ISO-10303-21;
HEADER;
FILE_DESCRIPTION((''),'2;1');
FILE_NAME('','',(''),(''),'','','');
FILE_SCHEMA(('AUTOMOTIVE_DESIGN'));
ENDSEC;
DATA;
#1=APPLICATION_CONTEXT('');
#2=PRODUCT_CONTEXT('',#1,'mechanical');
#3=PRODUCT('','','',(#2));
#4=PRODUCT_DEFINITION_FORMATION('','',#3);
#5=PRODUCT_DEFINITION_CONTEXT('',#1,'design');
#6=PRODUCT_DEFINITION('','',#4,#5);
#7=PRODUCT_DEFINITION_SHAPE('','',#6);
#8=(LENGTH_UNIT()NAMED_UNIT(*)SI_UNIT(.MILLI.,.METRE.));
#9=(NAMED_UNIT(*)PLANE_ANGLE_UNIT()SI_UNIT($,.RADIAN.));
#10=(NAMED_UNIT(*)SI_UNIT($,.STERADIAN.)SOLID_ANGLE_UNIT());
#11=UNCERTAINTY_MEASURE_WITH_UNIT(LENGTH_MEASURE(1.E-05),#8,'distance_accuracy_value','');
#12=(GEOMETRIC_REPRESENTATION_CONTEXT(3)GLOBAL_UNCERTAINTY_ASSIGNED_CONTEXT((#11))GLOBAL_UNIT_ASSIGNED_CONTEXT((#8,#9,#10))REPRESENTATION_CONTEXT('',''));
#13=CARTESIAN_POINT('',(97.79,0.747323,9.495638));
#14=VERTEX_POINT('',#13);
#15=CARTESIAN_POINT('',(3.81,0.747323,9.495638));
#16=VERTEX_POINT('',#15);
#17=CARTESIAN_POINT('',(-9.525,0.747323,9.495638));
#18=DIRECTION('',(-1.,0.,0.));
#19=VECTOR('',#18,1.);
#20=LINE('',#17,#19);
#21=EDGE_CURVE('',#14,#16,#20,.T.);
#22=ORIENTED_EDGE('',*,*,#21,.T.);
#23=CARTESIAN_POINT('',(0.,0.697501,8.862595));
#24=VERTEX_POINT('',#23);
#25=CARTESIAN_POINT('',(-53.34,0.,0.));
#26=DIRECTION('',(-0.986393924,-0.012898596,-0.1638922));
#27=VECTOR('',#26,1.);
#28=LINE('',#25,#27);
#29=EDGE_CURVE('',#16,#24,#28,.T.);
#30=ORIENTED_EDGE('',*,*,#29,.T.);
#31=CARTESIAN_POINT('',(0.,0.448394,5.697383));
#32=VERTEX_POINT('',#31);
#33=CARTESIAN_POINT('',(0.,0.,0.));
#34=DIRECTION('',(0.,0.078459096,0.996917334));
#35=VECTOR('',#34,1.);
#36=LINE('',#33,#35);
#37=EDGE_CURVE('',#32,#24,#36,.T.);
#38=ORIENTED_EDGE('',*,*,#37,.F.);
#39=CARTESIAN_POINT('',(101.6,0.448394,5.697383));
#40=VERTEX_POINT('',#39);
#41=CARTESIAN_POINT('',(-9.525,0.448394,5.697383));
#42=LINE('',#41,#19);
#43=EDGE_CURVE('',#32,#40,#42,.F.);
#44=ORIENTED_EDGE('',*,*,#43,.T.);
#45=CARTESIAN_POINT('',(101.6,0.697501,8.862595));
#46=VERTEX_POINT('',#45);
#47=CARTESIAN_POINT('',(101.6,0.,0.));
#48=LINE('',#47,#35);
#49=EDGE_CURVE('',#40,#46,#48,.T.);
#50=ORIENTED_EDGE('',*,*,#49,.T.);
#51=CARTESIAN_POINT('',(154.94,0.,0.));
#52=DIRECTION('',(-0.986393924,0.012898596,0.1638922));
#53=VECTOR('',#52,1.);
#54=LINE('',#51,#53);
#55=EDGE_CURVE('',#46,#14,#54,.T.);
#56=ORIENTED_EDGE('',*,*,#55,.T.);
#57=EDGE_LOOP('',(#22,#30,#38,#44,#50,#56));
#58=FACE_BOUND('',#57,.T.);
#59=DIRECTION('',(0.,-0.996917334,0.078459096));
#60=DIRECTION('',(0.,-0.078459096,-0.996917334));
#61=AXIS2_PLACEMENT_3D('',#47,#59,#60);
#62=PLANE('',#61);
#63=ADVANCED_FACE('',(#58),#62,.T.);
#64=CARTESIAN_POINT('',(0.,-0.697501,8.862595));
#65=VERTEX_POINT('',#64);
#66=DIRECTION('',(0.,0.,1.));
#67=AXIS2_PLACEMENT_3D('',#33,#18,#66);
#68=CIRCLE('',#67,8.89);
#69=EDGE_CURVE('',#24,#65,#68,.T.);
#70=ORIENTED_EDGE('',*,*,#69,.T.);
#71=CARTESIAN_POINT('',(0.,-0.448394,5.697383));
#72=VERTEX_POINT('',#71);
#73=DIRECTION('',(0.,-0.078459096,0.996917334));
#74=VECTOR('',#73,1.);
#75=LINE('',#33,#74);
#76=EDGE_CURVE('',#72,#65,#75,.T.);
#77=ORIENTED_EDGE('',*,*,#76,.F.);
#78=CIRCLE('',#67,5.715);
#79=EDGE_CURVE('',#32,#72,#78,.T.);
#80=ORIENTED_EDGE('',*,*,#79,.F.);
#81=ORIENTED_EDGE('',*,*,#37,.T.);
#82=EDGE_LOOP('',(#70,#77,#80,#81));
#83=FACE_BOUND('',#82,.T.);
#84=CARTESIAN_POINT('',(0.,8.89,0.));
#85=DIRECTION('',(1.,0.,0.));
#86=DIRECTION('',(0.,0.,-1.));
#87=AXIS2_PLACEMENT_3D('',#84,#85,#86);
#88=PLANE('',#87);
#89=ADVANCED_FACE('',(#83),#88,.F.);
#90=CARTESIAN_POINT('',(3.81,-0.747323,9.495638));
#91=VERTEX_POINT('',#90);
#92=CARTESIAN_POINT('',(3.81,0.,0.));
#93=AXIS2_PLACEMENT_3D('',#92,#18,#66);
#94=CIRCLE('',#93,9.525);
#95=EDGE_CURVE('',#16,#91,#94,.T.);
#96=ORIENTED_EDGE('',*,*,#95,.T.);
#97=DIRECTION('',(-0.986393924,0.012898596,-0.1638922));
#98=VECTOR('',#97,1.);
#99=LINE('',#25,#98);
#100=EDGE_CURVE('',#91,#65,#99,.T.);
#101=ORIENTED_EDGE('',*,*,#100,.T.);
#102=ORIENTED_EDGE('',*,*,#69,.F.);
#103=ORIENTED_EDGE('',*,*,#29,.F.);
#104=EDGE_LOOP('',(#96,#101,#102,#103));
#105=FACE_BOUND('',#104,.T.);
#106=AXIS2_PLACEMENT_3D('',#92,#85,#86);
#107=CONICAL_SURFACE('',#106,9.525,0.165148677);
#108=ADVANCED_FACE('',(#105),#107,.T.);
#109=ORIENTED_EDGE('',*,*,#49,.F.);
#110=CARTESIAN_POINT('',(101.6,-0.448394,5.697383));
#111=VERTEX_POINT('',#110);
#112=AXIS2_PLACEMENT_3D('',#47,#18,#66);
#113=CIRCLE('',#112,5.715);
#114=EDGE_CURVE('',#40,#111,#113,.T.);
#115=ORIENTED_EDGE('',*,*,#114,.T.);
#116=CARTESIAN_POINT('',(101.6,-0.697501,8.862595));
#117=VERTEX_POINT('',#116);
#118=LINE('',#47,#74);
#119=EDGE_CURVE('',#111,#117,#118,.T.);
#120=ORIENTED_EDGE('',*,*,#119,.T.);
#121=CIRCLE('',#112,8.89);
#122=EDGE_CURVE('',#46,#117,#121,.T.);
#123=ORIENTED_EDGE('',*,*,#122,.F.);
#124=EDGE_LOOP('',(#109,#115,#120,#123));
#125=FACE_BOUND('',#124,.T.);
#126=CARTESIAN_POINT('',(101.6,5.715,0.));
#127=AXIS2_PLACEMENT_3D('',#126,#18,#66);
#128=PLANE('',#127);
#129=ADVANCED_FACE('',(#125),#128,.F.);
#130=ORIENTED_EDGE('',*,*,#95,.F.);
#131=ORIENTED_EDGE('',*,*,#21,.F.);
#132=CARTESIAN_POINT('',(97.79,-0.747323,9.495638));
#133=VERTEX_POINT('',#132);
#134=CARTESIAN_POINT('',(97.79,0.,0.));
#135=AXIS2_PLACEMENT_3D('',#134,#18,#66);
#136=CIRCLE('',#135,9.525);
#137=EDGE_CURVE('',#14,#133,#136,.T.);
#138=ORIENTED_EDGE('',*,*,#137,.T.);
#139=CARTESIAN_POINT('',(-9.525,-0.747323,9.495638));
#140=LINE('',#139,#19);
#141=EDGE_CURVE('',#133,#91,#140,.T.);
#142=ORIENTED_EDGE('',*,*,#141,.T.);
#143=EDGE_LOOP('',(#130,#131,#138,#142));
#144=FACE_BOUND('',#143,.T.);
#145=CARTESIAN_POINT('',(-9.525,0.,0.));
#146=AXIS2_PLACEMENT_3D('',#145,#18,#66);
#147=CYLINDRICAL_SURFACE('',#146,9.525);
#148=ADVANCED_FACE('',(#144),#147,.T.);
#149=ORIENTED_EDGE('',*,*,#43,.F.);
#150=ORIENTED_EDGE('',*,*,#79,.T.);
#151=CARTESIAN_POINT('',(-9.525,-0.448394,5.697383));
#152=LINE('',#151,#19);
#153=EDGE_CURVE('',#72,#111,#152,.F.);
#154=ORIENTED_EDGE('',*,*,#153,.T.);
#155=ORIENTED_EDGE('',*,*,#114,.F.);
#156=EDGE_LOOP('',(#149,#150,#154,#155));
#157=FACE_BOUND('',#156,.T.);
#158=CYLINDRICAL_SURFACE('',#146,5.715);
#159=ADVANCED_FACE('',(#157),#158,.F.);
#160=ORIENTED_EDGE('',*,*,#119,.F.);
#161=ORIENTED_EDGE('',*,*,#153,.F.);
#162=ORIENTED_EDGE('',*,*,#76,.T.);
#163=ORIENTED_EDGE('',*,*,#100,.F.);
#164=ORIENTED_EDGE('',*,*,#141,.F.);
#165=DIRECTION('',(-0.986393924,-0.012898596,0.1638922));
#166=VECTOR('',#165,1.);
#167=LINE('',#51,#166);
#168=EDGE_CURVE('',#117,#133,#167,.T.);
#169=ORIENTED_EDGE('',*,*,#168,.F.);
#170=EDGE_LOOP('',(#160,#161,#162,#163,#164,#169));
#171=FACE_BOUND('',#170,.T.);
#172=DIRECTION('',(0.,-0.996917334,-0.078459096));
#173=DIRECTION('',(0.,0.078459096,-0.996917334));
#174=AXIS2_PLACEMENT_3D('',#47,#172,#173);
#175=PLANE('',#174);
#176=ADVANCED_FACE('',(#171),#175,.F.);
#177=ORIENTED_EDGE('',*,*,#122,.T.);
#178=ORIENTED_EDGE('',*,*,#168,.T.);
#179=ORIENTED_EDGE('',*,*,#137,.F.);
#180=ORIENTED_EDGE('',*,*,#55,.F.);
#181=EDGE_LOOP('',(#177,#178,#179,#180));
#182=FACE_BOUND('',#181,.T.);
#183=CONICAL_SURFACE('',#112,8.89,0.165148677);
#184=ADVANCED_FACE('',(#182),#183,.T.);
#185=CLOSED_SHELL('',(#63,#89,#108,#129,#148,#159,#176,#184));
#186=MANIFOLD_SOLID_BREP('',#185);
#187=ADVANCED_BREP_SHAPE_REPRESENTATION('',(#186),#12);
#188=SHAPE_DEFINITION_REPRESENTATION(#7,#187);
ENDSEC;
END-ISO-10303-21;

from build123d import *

# Parameters (mm, degrees)
GAP_DEPTH = 103.489078686


with BuildPart() as part:
    # Sketch1 → Base-Revolve (revolve)
    with BuildSketch(Plane.XY, mode=Mode.PRIVATE) as base_revolve_sk:
        Polygon((0, 5.715), (101.6, 5.715), (101.6, 8.89), (97.79, 9.525), (3.81, 9.525), (0, 8.89), align=None)
    revolve(base_revolve_sk.sketch.rotate(Axis((-9.525, 0, 0), (1, 0, 0)), 90), axis=Axis((-9.525, 0, 0), (1, 0, 0)))

    # Sketch2 → Gap (cut, through all)
    with BuildSketch(Plane(origin=(0, 0, 0), x_dir=(0, -1, 0), z_dir=(-1, 0, 0))):
        with BuildLine():
            Line((0, 0), (0.762269345, 9.685550356))
            ThreePointArc((0.762269345, 9.685550356), (0, 9.7155), (-0.762269345, 9.685550356))
            Line((-0.762269345, 9.685550356), (0, 0))
        make_face()
    extrude(amount=-GAP_DEPTH, mode=Mode.SUBTRACT)


solid = part.part
